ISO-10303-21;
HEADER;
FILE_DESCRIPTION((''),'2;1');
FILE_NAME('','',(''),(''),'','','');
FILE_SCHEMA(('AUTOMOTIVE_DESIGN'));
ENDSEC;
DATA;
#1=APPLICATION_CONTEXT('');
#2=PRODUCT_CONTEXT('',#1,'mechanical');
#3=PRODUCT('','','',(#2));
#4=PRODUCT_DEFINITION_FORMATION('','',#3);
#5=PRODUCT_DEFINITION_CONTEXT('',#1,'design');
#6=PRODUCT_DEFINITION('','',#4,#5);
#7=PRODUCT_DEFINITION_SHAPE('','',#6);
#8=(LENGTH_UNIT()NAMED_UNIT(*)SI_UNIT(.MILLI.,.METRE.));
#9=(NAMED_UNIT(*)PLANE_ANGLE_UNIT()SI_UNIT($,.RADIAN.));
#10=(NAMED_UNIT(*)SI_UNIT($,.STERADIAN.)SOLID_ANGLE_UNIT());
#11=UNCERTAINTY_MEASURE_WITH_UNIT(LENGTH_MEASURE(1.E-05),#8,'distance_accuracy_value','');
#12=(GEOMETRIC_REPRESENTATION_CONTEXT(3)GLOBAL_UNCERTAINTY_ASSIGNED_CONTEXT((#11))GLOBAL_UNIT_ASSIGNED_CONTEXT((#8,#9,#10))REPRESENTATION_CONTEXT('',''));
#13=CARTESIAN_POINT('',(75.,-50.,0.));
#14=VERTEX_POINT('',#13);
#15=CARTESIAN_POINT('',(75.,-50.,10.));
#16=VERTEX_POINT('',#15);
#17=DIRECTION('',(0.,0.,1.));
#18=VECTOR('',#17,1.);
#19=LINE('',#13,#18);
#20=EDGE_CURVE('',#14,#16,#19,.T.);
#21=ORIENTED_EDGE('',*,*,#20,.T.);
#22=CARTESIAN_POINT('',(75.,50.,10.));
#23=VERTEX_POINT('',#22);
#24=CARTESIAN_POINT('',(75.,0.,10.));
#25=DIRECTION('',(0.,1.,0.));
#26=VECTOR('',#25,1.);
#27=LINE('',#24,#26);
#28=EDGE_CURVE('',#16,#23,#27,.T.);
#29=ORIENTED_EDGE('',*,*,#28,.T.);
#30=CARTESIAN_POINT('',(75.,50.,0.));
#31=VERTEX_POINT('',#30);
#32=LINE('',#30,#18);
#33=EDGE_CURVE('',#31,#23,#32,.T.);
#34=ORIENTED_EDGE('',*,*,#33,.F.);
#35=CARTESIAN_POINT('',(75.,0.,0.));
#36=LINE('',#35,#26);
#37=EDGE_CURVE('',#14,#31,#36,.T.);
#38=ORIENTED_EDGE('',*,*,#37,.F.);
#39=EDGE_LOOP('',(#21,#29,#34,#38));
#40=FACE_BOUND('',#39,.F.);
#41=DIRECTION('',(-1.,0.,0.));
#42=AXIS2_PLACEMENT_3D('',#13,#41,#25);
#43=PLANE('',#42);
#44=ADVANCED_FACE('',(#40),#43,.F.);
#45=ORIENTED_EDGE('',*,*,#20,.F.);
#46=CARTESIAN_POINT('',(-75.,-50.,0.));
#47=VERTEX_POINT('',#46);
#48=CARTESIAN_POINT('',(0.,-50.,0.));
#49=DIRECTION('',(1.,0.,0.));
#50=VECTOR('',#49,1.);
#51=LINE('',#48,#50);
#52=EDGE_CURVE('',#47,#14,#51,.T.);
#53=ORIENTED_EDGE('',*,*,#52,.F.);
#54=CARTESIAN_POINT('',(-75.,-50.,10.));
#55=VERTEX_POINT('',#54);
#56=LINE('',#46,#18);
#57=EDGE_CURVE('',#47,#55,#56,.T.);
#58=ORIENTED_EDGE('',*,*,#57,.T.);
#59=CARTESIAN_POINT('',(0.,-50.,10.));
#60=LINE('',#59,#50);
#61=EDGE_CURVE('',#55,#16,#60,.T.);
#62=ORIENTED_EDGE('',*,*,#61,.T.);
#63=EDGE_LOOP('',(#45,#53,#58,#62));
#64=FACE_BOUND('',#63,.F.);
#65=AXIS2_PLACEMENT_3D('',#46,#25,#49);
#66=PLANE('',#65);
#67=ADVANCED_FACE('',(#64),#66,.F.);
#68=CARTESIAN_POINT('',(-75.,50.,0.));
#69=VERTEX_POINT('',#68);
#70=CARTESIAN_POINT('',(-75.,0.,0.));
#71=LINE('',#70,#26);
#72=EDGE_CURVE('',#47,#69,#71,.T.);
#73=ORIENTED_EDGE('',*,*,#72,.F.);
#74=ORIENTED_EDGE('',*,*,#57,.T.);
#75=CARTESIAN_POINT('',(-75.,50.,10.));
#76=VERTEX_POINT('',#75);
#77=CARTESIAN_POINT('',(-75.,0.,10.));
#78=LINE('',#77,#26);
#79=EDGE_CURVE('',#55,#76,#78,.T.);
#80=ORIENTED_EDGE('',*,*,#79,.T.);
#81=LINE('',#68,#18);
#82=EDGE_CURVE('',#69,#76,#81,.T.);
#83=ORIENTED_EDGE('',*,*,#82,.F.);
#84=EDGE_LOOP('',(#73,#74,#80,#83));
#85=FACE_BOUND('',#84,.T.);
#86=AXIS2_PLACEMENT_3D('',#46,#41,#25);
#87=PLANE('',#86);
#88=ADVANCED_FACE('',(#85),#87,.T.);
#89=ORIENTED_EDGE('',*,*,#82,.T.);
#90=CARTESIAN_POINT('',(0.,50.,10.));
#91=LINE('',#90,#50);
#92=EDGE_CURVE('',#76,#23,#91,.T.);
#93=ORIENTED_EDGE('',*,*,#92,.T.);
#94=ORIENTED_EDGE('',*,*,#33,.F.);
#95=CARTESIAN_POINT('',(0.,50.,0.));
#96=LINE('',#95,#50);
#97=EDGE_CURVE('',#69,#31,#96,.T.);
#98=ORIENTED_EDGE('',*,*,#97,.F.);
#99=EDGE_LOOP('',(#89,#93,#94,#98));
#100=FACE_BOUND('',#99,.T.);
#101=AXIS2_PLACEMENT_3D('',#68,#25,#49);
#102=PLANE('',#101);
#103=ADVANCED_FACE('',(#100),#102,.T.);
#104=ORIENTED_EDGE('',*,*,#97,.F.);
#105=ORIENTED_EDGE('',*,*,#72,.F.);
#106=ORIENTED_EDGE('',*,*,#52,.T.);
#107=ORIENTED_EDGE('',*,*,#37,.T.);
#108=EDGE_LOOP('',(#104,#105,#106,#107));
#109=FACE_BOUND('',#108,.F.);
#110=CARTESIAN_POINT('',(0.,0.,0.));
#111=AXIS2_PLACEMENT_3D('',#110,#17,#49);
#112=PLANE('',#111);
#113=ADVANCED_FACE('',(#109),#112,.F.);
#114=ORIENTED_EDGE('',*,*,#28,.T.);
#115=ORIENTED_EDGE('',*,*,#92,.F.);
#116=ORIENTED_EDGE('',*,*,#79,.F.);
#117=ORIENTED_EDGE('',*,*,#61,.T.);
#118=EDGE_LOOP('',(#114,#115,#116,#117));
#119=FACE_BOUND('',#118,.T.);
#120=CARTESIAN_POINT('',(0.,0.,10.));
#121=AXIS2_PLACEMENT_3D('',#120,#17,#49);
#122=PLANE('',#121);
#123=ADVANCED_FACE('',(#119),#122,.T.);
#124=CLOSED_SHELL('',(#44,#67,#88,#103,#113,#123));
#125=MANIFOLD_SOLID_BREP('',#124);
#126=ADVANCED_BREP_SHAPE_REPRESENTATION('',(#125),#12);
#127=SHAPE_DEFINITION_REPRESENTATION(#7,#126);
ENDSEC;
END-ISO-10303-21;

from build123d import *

# Parameters (mm, degrees)
SKETCH_1_W      = 150
SKETCH_1_H      = 100
EXTRUDE_1_DEPTH = 10


with BuildPart() as part:
    # Эскиз1 → Бобышка-Вытянуть1 (new body)
    with BuildSketch(Plane.XY):
        Rectangle(SKETCH_1_W, SKETCH_1_H)
    extrude(amount=EXTRUDE_1_DEPTH)


solid = part.part
